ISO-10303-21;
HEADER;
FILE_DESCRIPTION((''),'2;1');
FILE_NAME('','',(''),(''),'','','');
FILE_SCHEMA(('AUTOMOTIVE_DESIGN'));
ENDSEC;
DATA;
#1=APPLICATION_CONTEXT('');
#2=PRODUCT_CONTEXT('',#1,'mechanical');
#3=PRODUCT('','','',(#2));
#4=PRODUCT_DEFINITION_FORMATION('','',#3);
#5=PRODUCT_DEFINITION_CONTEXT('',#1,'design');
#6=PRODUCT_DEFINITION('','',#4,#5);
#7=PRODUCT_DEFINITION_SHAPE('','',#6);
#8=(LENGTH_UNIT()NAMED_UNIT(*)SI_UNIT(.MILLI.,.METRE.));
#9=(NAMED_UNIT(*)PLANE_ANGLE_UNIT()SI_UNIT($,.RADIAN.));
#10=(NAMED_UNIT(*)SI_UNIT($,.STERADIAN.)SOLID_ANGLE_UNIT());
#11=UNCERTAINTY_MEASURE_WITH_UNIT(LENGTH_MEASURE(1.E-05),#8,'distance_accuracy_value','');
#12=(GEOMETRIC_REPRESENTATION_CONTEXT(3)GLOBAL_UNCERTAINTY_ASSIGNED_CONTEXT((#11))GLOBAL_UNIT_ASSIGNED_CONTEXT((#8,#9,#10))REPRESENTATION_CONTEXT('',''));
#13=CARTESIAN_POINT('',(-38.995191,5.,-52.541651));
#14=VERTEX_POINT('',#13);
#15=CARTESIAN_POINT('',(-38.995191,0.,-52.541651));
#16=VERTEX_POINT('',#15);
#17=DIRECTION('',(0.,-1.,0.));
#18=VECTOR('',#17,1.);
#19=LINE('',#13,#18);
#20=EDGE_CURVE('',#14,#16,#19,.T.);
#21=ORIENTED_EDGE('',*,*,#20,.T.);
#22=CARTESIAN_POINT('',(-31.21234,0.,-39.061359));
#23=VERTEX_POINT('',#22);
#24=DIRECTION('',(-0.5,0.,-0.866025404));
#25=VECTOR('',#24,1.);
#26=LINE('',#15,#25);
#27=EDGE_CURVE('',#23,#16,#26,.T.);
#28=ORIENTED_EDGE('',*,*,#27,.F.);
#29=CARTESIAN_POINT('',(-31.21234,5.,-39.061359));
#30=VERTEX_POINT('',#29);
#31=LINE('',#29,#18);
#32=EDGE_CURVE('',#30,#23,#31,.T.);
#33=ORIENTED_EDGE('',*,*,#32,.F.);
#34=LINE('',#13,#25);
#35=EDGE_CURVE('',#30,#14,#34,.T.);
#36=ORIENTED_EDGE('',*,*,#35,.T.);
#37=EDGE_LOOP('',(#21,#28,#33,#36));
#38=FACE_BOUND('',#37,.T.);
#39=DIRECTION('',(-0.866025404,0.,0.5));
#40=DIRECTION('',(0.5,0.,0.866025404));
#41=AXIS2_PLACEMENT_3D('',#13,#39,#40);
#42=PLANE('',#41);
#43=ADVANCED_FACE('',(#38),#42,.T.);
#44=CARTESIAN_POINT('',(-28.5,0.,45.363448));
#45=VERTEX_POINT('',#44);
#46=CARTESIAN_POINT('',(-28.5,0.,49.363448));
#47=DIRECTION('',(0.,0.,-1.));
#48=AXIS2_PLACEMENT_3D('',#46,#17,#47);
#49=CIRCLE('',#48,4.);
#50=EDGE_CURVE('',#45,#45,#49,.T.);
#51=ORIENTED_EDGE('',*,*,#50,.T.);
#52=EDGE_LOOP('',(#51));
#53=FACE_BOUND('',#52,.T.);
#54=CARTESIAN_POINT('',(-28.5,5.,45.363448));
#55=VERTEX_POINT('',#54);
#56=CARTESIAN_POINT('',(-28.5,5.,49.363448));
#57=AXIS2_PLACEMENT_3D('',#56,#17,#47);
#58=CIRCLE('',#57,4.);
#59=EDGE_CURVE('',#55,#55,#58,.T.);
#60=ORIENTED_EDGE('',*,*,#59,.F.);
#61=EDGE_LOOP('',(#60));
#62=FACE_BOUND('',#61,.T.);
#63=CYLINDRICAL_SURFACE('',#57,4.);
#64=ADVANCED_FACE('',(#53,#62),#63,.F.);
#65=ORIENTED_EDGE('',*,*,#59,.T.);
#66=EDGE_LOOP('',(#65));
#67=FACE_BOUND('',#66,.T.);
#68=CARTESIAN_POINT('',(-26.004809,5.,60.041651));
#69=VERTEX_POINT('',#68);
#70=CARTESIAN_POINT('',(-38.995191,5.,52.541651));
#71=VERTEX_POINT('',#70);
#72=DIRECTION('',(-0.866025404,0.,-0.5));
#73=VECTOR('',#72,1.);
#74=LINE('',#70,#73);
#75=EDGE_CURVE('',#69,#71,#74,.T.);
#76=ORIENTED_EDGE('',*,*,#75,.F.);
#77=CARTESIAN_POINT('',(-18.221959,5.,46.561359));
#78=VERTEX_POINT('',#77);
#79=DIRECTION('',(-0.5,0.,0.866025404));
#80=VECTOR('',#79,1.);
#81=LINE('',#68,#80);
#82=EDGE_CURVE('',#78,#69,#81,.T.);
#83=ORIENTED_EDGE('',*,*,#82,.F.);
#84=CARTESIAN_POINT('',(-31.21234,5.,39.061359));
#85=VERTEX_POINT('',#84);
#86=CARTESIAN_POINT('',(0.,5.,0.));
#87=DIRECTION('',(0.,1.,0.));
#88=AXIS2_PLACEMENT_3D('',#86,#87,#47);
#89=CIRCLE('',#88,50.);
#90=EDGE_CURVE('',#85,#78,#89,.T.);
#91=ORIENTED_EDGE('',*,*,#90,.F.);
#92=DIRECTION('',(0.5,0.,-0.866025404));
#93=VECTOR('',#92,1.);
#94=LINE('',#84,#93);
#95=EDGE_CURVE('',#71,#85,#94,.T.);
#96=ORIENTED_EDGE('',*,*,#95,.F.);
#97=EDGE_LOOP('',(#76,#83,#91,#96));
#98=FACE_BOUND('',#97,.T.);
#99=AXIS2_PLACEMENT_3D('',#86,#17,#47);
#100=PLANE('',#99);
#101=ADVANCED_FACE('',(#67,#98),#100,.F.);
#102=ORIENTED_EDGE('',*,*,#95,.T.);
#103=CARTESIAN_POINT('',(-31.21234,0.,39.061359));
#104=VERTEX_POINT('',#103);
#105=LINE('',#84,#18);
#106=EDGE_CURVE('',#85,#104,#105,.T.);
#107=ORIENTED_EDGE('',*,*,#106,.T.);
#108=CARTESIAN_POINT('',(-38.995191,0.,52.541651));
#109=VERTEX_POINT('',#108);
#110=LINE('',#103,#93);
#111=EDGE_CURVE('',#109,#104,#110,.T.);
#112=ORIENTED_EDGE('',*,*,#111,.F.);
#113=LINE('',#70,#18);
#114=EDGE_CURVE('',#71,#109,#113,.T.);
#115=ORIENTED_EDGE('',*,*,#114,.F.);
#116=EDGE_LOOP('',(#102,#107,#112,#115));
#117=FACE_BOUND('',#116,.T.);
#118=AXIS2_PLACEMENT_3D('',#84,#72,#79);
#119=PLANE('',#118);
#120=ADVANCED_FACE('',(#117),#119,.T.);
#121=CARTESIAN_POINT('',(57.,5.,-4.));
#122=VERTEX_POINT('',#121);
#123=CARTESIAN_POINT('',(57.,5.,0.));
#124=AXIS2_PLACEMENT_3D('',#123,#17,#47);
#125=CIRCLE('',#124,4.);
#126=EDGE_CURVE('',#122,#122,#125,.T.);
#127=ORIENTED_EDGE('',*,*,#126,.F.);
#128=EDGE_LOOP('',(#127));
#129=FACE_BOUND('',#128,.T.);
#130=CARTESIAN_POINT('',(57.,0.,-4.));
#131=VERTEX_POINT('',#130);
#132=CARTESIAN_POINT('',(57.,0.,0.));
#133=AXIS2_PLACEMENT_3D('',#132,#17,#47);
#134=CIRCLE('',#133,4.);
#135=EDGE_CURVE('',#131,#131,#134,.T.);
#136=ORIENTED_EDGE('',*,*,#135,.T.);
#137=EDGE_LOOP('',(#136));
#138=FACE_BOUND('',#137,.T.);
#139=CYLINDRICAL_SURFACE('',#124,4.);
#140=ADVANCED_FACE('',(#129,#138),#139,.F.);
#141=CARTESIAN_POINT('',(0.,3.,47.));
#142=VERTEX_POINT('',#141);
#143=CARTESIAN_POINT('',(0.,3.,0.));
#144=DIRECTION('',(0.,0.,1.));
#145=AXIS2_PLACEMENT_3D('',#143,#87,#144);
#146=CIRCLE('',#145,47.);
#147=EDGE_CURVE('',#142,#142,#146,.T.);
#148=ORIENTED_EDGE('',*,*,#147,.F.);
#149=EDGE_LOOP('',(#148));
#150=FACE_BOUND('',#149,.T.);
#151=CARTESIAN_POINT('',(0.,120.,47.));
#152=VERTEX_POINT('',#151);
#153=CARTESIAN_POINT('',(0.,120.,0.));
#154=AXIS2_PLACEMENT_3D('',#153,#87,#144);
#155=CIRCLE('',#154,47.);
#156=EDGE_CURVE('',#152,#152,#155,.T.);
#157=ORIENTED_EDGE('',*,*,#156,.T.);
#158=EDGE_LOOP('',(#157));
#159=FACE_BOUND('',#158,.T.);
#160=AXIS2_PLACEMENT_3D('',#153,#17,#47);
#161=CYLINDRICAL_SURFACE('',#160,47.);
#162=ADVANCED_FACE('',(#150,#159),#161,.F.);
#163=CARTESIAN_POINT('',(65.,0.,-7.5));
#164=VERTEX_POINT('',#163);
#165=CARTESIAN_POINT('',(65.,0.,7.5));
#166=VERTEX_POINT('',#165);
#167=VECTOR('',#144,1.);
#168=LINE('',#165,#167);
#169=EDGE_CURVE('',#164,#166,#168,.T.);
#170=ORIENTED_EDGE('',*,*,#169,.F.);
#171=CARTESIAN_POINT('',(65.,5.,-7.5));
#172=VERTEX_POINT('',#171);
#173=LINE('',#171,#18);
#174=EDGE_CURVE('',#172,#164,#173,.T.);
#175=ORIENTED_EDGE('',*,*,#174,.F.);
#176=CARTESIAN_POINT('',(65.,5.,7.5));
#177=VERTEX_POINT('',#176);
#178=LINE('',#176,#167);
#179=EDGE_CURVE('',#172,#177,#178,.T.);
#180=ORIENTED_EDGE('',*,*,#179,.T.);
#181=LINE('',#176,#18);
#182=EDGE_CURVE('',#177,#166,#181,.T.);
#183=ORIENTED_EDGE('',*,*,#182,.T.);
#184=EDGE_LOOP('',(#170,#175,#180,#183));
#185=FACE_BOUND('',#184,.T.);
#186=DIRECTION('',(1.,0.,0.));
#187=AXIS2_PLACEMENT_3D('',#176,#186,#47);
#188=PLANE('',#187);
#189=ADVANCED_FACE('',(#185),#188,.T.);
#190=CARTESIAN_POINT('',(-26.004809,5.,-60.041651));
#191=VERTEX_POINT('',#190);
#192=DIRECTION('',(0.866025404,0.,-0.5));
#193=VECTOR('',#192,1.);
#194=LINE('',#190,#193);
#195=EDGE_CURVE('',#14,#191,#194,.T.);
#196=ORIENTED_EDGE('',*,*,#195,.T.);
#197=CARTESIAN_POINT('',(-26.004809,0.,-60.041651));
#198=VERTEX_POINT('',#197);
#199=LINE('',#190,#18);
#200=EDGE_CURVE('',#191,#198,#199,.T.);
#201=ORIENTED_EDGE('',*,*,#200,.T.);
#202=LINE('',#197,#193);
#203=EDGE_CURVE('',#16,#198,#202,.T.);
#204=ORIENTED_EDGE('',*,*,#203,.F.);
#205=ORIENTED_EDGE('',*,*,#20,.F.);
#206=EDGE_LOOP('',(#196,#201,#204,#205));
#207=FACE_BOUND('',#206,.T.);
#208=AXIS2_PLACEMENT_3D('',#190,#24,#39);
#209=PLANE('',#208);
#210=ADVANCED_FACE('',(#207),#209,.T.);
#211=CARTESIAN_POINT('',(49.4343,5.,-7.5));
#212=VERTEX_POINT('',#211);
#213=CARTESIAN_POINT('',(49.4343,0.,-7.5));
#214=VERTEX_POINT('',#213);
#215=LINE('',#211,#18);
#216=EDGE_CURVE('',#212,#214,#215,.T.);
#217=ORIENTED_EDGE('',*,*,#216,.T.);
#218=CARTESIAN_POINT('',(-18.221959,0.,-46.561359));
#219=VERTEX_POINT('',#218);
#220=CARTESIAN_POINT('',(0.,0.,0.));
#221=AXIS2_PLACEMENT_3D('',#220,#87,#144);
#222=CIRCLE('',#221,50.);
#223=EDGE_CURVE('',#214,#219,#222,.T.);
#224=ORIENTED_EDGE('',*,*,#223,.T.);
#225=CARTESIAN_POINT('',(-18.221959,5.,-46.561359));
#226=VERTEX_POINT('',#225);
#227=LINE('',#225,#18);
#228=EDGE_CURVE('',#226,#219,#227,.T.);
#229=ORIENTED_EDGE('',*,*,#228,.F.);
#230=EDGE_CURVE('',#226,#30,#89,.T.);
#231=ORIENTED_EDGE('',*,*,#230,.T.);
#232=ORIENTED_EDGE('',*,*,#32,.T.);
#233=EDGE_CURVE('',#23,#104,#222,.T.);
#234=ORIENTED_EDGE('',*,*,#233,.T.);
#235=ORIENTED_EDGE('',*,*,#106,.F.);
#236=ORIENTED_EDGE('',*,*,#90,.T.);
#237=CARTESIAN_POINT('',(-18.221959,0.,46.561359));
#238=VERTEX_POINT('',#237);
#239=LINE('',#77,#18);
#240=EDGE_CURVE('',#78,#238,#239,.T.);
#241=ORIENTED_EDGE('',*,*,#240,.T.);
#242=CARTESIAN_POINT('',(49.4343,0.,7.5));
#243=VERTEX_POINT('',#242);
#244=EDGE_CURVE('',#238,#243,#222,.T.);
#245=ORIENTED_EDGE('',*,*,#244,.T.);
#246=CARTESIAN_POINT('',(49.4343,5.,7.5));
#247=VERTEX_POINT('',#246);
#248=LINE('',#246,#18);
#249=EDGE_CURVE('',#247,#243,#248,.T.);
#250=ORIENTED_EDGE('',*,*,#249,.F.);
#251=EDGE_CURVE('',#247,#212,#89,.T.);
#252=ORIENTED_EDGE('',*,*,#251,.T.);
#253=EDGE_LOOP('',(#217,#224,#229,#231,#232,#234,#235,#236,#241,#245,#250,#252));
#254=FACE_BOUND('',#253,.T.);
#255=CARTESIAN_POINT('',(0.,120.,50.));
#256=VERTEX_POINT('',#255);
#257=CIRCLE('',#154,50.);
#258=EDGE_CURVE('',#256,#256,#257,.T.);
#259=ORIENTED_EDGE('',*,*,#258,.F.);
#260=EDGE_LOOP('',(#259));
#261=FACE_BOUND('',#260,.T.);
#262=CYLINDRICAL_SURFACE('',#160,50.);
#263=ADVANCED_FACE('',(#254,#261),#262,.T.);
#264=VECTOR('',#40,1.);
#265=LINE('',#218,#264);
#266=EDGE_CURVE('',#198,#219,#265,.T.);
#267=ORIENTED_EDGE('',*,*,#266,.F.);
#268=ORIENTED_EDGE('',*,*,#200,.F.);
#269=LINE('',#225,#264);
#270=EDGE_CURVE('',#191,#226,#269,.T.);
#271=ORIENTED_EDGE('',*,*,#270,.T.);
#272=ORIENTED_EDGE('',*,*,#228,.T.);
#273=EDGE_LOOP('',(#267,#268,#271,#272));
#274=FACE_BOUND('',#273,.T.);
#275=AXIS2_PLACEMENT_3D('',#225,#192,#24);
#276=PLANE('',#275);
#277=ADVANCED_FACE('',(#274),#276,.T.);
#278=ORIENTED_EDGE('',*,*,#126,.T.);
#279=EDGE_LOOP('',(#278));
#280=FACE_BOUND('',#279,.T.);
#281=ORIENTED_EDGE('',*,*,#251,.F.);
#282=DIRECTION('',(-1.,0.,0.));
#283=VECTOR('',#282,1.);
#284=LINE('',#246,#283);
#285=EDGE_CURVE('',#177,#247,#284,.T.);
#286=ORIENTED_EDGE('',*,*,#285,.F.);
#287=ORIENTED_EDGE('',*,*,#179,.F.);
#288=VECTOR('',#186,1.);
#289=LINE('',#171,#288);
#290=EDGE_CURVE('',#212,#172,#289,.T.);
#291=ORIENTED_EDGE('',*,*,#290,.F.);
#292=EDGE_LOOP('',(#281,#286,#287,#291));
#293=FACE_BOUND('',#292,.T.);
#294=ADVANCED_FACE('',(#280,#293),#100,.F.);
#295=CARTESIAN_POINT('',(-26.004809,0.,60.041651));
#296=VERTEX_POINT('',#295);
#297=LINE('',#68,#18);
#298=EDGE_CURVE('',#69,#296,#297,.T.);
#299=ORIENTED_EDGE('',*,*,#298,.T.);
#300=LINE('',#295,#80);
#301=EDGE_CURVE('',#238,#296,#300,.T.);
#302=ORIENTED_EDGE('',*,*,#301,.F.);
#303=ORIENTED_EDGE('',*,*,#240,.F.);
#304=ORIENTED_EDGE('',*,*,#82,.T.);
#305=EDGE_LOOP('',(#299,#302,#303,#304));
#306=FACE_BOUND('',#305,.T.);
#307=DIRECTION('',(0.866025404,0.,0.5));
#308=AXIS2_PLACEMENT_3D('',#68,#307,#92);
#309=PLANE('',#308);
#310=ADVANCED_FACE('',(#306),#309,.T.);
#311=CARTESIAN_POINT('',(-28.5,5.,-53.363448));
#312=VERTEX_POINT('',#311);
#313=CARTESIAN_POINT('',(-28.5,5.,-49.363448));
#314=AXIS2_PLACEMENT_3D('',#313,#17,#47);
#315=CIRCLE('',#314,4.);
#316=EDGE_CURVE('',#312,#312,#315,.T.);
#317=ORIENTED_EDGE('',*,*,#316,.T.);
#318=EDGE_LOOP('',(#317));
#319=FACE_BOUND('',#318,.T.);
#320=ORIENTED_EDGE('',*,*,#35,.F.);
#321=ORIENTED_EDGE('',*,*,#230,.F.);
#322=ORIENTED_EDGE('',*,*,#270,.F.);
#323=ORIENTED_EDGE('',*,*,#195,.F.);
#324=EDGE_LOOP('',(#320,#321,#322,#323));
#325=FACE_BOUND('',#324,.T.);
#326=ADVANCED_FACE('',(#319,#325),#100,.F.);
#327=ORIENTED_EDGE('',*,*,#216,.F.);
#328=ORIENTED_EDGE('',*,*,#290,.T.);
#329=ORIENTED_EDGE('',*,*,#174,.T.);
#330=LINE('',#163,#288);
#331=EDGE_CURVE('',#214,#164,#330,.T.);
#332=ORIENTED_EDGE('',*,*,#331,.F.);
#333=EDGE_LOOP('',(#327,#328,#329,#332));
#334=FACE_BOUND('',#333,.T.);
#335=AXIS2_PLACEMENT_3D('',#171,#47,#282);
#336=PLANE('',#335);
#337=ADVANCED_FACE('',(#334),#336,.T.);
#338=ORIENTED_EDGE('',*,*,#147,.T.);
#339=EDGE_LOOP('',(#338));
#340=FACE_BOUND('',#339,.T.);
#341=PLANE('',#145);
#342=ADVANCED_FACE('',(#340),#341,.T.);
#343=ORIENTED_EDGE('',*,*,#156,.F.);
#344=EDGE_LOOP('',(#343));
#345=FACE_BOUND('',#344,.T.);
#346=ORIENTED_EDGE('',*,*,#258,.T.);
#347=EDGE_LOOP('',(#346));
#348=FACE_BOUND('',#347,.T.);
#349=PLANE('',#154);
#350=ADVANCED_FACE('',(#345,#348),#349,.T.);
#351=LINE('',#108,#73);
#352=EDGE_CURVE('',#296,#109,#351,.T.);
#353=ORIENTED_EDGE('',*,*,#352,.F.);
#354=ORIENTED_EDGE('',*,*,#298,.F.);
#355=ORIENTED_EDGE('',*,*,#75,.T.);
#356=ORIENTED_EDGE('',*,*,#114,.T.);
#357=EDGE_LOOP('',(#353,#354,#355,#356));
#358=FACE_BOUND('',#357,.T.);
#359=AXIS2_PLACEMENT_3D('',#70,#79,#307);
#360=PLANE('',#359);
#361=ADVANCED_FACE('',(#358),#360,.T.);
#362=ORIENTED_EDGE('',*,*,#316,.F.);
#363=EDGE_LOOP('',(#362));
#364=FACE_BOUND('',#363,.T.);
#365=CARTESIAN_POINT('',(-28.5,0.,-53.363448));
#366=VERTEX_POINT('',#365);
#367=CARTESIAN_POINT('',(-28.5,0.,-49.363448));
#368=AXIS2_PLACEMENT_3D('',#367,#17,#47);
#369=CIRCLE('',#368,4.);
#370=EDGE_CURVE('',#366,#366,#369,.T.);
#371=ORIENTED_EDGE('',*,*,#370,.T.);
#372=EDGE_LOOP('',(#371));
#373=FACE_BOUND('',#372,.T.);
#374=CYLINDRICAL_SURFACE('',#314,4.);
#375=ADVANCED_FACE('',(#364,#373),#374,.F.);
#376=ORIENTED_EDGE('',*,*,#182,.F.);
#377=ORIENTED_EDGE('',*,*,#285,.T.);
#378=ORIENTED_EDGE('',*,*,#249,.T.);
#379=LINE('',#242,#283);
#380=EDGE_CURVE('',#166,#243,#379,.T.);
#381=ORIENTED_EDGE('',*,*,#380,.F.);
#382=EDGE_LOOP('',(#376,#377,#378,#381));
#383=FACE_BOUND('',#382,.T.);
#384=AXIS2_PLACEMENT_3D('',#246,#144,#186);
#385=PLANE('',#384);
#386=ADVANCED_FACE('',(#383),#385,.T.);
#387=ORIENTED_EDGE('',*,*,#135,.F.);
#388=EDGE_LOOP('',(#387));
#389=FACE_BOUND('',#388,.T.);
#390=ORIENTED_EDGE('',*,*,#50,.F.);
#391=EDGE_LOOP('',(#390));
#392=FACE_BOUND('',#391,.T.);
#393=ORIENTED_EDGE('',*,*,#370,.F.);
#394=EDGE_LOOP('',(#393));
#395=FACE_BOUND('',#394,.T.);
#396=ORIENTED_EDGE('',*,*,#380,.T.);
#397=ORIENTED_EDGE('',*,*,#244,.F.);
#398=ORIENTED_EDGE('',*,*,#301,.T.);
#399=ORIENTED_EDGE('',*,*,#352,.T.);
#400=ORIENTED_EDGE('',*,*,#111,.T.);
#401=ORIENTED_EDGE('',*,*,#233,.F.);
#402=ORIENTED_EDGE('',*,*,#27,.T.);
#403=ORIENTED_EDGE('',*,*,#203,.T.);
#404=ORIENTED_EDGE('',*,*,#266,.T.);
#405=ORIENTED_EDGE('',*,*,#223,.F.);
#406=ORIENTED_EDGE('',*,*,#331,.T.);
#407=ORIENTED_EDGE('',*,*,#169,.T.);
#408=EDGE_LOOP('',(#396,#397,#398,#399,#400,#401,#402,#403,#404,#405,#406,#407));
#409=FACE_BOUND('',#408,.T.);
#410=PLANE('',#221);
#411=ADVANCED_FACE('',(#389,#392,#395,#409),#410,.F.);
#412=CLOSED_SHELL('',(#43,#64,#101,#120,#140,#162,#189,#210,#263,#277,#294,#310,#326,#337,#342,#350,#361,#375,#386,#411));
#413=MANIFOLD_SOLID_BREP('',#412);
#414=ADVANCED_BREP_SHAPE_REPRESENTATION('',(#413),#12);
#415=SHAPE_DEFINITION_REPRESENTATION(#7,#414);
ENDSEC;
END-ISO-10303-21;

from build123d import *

# Parameters (mm, degrees)
SKETCH1_R           = 50
BOSS_EXTRUDE1_DEPTH = 120
SHELL1_T            = -3
SKETCH2_R           = 4
BOSS_EXTRUDE2_DEPTH = 5


with BuildPart() as part:
    # Sketch1 → Boss-Extrude1 (new body)
    with BuildSketch(Plane(origin=(0, 0, 0), x_dir=(1, 0, 0), z_dir=(0, 1, 0))):
        with Locations(Location((0, 0, 0), (0, 0, 270))):
            Circle(SKETCH1_R)
    extrude(amount=BOSS_EXTRUDE1_DEPTH)

    # Shell1
    shell1_openings = [part.faces().sort_by_distance(p)[0] for p in [
        (0, 120, 0),
    ]]
    offset(amount=SHELL1_T, openings=shell1_openings, kind=Kind.INTERSECTION)

    # Sketch2 → Boss-Extrude2 (add)
    with BuildSketch(Plane.XZ):
        with BuildLine():
            Line((49.434299833, 7.5), (65, 7.5))
            Line((65, 7.5), (65, -7.5))
            Line((65, -7.5), (49.434299833, -7.5))
            ThreePointArc((49.434299833, -7.5), (50, 0), (49.434299833, 7.5))
        make_face()
        with Locations(Location((57, 0, 0), (0, 0, 270))):
            Circle(SKETCH2_R, mode=Mode.SUBTRACT)
        with BuildLine():
            Line((-18.221959388, -46.561359474), (-26.004809472, -60.041651246))
            Line((-26.004809472, -60.041651246), (-38.995190528, -52.541651246))
            Line((-38.995190528, -52.541651246), (-31.212340445, -39.061359474))
            ThreePointArc((-31.212340445, -39.061359474), (-25, -43.301270189), (-18.221959388, -46.561359474))
        make_face()
        with Locations(Location((-28.5, -49.363448016, 0), (0, 0, 270))):
            Circle(SKETCH2_R, mode=Mode.SUBTRACT)
        with BuildLine():
            Line((-31.212340445, 39.061359474), (-38.995190528, 52.541651246))
            Line((-38.995190528, 52.541651246), (-26.004809472, 60.041651246))
            Line((-26.004809472, 60.041651246), (-18.221959388, 46.561359474))
            ThreePointArc((-18.221959388, 46.561359474), (-25, 43.301270189), (-31.212340445, 39.061359474))
        make_face()
        with Locations(Location((-28.5, 49.363448016, 0), (0, 0, 270))):
            Circle(SKETCH2_R, mode=Mode.SUBTRACT)
    extrude(amount=-BOSS_EXTRUDE2_DEPTH)


solid = part.part
